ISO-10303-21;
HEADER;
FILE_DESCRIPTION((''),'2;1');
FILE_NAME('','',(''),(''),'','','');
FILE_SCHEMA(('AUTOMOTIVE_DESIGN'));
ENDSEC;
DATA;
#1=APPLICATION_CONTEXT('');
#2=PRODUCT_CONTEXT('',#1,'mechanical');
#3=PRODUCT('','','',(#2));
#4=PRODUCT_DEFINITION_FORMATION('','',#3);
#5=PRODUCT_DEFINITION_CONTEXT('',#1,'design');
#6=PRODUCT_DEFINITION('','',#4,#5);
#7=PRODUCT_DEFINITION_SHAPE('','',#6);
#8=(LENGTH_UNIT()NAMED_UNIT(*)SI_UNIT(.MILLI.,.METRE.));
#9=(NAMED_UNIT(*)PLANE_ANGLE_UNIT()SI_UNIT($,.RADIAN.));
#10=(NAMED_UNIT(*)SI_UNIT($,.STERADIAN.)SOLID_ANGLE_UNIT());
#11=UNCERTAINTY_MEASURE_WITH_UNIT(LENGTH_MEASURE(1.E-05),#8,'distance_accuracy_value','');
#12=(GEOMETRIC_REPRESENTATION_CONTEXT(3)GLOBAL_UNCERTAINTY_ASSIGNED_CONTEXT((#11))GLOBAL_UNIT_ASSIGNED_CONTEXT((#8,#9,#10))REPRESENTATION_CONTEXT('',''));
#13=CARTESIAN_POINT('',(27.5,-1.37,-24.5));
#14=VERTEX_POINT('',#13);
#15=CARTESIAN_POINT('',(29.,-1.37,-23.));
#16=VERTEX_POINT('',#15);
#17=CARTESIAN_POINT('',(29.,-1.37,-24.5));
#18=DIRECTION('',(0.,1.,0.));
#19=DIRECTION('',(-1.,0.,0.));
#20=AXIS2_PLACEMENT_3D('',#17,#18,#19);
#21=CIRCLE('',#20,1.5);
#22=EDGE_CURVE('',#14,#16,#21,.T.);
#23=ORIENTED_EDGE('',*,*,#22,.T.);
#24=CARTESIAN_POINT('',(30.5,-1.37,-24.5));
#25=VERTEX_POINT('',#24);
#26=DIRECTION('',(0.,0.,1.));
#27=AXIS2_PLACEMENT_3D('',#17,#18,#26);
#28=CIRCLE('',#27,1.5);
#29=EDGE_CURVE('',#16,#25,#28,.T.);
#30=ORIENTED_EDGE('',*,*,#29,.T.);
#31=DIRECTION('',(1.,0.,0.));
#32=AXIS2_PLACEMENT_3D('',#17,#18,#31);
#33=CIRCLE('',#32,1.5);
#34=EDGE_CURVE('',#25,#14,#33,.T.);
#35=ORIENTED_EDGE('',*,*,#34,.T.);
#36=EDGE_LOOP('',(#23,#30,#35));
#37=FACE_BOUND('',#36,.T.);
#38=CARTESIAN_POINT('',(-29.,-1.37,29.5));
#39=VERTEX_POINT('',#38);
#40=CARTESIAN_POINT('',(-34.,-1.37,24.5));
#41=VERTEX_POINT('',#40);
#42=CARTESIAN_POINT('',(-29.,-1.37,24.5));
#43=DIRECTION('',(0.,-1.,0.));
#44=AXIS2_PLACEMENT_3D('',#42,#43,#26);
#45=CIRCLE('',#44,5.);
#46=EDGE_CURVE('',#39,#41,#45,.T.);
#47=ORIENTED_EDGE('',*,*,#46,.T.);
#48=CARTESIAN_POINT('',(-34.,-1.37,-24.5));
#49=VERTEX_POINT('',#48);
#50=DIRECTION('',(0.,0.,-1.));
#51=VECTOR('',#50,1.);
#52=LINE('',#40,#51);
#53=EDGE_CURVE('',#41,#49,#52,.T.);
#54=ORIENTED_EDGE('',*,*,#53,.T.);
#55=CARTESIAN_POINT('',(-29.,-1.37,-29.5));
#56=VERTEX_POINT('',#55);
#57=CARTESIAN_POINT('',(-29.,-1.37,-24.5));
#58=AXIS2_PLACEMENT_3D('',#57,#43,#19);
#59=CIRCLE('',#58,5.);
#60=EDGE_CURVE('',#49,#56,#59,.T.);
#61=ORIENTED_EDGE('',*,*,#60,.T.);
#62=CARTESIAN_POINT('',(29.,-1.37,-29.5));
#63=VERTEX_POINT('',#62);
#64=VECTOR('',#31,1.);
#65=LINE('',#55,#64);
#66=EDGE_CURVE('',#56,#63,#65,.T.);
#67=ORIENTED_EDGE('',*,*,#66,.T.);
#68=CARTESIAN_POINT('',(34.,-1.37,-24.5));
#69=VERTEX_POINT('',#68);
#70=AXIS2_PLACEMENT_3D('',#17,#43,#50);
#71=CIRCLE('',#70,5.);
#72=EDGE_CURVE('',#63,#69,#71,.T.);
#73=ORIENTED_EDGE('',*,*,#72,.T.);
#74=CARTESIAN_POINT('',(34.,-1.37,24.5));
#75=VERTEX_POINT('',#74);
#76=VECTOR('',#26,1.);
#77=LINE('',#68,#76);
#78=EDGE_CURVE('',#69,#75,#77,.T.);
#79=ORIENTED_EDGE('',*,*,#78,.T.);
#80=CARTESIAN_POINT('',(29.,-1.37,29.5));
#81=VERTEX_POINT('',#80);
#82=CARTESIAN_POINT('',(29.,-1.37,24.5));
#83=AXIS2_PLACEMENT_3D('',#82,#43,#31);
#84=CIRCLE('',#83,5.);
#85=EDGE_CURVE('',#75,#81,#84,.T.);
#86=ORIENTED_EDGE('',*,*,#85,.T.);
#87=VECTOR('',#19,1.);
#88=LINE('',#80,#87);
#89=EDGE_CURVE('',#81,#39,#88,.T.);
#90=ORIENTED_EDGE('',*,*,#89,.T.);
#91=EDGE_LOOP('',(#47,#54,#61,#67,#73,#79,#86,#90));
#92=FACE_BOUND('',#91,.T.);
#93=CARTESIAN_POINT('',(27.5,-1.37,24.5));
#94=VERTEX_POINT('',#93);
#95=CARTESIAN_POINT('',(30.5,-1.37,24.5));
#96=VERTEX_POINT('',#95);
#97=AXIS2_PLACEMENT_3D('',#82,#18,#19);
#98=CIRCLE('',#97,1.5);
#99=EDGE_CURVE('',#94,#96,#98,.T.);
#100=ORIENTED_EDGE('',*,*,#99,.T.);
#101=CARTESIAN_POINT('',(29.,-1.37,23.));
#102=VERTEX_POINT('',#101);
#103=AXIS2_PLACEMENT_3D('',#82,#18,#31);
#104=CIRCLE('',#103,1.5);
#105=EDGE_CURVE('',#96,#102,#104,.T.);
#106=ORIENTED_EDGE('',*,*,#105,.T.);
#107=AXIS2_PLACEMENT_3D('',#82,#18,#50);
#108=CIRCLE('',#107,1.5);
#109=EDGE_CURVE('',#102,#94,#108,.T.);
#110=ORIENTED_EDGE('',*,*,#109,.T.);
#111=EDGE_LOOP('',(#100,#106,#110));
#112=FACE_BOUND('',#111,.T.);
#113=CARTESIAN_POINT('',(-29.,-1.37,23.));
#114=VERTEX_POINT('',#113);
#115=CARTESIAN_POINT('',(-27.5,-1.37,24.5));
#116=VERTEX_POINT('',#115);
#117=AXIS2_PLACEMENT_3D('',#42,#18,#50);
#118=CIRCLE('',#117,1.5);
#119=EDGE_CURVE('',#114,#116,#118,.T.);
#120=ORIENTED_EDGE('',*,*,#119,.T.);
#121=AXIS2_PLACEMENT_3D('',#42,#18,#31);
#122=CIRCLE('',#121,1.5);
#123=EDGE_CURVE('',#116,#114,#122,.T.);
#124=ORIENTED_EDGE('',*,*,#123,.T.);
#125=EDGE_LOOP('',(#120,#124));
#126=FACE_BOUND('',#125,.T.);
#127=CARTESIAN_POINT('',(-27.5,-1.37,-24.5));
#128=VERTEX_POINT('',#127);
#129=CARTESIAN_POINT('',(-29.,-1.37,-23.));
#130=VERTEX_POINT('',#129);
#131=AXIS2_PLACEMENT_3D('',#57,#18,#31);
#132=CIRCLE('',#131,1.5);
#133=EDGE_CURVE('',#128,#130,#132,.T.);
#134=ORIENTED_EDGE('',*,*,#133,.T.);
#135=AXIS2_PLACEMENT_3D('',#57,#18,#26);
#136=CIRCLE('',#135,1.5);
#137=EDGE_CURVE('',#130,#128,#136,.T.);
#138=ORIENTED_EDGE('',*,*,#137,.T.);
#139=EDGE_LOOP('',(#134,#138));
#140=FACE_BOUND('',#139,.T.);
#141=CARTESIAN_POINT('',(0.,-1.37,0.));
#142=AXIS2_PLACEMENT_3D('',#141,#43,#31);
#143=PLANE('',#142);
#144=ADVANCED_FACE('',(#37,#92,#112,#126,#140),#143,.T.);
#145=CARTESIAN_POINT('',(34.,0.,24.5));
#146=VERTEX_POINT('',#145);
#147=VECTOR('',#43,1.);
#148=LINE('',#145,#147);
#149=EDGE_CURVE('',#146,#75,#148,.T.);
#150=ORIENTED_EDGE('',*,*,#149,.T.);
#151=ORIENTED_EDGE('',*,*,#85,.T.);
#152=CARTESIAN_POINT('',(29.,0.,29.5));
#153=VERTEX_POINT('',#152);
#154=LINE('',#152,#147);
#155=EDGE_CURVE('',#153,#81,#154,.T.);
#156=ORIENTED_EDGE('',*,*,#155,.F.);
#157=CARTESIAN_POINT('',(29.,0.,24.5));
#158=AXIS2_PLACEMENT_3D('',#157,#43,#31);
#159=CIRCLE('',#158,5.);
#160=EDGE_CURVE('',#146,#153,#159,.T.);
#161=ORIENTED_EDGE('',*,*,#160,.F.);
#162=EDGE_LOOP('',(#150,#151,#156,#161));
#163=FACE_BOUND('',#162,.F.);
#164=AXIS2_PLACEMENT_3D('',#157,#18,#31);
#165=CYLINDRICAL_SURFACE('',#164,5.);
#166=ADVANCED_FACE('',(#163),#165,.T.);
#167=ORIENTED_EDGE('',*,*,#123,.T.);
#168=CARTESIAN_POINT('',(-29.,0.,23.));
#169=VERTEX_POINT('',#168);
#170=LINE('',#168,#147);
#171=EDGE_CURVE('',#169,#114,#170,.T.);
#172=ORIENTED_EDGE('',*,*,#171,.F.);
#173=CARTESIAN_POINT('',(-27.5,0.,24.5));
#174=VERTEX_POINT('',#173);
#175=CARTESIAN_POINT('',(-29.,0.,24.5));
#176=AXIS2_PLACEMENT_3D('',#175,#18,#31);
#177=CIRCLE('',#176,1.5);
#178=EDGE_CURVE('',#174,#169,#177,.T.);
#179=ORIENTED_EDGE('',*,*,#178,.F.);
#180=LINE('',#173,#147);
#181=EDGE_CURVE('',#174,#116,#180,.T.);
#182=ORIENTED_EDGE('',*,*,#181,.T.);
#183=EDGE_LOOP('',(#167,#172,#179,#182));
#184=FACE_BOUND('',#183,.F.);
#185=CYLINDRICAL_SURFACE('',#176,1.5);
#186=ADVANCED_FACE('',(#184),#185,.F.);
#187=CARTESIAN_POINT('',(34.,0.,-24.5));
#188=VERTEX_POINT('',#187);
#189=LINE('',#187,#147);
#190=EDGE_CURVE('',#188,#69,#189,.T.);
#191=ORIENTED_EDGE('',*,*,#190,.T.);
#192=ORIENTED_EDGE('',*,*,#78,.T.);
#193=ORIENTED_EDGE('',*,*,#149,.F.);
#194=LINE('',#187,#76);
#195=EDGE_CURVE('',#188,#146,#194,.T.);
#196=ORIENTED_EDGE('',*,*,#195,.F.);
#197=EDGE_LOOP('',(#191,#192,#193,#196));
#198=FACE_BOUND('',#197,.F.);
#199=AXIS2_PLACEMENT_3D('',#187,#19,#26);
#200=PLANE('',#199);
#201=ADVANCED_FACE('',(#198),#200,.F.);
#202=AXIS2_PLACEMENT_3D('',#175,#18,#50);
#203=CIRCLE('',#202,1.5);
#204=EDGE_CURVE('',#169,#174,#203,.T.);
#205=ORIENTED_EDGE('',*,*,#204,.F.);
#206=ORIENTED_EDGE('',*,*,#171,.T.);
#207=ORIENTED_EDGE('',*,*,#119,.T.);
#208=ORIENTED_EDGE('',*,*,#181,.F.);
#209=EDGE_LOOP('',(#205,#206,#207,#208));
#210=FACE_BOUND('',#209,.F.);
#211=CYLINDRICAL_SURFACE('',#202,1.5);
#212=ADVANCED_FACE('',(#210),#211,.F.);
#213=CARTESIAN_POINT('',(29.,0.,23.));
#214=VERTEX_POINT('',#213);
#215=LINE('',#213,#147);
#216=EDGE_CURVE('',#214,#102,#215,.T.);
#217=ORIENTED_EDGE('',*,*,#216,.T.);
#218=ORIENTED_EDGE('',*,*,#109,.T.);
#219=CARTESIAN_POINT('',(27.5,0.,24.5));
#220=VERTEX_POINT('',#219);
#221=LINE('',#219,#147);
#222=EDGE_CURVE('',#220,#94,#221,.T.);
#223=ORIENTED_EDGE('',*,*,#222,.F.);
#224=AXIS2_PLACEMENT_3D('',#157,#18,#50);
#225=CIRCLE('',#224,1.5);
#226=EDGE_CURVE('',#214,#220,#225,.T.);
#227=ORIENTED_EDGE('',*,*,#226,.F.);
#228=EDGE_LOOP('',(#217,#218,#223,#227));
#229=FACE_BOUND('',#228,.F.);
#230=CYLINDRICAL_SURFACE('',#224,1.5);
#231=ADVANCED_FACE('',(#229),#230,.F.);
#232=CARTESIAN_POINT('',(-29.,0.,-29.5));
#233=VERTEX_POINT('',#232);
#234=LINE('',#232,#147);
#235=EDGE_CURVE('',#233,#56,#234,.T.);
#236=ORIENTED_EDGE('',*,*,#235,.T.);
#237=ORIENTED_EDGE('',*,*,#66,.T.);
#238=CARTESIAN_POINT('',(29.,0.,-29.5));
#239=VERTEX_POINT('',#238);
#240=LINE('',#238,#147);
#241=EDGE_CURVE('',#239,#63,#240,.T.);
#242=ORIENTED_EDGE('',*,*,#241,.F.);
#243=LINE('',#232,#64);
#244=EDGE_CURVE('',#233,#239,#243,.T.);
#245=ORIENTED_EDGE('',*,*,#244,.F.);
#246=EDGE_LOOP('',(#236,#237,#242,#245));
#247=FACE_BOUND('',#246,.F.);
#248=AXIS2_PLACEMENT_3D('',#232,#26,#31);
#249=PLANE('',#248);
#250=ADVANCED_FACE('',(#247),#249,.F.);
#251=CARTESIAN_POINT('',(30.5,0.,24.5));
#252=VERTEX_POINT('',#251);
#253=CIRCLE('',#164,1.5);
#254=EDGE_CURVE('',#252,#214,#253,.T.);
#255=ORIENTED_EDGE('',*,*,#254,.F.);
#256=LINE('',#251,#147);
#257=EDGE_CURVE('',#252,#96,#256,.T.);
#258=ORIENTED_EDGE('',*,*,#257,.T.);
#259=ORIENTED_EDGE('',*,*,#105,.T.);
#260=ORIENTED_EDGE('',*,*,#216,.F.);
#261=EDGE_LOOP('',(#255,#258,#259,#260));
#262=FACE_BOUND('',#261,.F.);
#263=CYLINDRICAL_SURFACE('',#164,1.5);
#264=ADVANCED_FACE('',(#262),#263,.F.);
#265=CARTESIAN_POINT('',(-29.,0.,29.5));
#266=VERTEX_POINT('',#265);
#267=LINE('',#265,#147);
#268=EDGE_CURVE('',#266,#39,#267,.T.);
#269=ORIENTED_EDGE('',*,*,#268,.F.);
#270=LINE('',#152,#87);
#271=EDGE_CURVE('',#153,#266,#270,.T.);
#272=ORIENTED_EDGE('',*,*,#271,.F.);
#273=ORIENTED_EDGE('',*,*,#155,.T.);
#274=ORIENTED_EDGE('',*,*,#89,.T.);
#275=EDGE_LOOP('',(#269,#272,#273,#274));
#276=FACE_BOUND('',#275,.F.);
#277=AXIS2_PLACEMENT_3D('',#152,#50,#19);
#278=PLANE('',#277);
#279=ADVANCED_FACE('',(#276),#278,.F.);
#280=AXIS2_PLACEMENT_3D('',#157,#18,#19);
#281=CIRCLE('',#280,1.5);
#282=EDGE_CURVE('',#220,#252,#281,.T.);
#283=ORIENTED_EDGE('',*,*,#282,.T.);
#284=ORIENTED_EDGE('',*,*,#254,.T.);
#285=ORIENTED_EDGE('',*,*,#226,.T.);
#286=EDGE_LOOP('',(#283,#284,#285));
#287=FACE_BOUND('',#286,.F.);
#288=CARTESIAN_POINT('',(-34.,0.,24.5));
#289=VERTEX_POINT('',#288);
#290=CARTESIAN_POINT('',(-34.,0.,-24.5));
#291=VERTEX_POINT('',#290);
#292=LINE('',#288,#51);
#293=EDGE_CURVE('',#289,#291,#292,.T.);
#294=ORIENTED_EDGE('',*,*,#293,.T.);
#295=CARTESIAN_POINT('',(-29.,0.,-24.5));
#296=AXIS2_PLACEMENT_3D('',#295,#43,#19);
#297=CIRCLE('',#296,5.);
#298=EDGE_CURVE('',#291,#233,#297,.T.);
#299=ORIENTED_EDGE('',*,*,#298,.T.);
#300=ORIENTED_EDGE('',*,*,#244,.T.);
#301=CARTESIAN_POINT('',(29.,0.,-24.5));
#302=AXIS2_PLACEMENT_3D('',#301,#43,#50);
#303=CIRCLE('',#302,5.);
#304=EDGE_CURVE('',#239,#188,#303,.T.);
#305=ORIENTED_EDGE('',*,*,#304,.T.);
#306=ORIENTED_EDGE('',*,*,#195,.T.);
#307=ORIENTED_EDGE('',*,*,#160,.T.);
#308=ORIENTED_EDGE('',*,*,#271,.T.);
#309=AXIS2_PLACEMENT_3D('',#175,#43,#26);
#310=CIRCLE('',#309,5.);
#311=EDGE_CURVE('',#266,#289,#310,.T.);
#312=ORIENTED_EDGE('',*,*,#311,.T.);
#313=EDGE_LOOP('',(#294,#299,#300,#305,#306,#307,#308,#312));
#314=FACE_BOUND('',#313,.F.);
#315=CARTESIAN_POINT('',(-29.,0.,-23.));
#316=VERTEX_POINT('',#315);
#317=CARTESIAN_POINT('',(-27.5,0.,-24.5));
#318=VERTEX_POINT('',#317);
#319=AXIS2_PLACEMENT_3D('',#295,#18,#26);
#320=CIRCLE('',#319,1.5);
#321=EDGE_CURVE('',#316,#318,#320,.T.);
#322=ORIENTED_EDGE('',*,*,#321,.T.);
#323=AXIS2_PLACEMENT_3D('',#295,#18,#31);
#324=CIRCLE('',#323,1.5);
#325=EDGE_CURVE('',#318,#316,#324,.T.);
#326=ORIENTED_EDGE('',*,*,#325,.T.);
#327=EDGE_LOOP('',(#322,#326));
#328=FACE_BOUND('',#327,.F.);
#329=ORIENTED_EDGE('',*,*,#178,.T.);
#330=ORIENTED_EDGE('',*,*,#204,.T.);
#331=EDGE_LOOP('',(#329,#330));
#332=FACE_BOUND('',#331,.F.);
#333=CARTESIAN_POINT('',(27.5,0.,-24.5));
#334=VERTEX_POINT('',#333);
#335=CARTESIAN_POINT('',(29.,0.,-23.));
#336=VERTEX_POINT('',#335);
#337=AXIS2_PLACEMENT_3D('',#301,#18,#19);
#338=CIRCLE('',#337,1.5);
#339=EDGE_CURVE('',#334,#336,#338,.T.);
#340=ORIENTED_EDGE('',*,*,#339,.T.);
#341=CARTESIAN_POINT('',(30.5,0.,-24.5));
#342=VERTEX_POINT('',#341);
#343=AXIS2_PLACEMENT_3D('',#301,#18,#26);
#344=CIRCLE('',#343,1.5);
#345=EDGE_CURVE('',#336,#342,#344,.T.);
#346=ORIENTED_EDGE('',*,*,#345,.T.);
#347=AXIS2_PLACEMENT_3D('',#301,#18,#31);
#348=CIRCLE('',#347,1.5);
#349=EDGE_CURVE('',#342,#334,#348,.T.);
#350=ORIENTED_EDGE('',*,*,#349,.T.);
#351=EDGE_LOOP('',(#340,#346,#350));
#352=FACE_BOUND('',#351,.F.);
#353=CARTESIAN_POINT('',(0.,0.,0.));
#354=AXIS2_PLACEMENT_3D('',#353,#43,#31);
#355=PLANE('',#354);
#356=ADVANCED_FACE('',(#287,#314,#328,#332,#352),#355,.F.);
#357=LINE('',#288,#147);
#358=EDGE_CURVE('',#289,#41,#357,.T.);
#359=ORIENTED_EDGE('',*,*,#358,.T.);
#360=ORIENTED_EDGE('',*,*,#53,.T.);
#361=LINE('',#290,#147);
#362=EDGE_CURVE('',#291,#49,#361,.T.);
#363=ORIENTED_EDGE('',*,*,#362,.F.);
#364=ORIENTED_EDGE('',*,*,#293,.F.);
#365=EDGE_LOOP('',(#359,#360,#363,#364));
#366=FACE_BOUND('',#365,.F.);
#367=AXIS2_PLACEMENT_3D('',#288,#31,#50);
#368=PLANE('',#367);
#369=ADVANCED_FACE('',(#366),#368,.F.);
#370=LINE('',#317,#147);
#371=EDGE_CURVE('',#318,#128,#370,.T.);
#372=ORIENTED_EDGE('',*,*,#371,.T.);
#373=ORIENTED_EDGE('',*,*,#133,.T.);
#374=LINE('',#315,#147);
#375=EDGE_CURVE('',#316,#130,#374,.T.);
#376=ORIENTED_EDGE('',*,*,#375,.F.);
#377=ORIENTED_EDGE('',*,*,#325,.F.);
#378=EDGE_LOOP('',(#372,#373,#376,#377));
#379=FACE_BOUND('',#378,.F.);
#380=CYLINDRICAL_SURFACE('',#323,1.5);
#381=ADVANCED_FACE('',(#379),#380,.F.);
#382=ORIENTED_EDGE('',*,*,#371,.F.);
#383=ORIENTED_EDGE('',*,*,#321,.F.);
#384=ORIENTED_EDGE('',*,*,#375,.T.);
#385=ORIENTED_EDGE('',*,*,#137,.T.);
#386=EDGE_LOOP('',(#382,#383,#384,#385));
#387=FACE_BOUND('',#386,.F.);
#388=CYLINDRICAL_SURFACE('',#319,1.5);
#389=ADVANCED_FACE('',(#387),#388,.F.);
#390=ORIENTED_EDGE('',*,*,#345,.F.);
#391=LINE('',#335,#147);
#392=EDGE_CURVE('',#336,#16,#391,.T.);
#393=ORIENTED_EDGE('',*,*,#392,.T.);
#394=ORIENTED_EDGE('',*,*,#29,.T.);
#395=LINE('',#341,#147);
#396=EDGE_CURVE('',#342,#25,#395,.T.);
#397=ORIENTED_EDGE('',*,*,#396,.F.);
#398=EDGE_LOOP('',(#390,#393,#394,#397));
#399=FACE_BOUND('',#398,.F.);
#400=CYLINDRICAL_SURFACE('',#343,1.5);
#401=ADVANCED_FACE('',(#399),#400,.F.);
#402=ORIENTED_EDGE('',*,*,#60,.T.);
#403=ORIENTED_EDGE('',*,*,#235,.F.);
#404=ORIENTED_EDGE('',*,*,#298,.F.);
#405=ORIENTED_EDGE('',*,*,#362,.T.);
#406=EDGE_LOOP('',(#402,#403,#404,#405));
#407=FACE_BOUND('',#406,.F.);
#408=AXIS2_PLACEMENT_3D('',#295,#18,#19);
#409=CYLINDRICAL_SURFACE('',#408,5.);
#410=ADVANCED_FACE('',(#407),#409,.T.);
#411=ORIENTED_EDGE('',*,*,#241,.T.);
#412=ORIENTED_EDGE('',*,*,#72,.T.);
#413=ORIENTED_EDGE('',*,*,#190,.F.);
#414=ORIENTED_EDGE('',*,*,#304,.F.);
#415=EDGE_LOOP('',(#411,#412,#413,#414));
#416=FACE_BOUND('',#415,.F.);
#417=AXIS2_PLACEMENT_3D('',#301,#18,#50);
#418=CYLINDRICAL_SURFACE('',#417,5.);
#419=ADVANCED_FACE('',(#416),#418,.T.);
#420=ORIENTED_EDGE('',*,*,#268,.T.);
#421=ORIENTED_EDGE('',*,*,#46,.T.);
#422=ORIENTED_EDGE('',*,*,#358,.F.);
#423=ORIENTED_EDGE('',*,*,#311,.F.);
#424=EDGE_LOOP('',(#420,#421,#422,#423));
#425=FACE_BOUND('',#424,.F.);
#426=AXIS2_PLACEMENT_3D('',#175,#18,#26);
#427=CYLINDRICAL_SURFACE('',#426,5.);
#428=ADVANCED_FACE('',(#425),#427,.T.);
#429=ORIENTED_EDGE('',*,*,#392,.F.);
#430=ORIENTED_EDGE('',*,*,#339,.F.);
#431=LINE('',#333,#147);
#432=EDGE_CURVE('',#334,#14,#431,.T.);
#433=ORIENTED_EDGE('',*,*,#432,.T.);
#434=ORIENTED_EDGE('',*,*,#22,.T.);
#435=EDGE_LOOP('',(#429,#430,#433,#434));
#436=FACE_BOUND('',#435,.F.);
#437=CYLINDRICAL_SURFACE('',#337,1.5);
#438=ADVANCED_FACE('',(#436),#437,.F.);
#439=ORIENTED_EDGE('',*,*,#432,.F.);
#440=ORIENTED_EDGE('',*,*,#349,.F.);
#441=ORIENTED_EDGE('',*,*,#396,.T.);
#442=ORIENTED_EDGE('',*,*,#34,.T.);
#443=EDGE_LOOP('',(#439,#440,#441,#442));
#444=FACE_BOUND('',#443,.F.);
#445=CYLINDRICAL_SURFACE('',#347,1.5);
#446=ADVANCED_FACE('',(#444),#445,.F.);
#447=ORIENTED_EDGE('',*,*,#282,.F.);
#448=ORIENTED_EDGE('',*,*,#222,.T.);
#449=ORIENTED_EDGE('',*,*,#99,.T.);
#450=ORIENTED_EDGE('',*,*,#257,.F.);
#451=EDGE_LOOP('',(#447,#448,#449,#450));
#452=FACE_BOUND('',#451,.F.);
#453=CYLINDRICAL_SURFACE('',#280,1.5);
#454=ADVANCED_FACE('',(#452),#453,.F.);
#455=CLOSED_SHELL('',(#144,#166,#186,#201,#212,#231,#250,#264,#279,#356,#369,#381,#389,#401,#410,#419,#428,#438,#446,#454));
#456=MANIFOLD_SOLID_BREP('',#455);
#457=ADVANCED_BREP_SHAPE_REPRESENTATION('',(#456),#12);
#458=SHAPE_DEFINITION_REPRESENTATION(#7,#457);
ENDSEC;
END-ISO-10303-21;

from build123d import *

# Parameters (mm, degrees)
F1_DEPTH = 1.37


with BuildPart() as f1:
    # F0 (on Front) → F1 (new body)
    with BuildSketch(Plane.XZ):
        with BuildLine():
            Line((29, 29.5), (-29, 29.5))
            ThreePointArc((-29, 29.5), (-32.5355339059, 28.0355339059), (-34, 24.5))
            Line((-34, 24.5), (-34, -24.5))
            ThreePointArc((-34, -24.5), (-32.5355339059, -28.0355339059), (-29, -29.5))
            Line((-29, -29.5), (29, -29.5))
            ThreePointArc((29, -29.5), (32.5355339059, -28.0355339059), (34, -24.5))
            Line((34, -24.5), (34, 24.5))
            ThreePointArc((34, 24.5), (32.5355339059, 28.0355339059), (29, 29.5))
        make_face()
        with BuildLine():
            ThreePointArc((-29, 23), (-30.0606601718, 25.5606601718), (-27.5, 24.5))
            Line((-27.5, 24.5), (27.5, 24.5))
            ThreePointArc((27.5, 24.5), (29, 26), (30.5, 24.5))
            ThreePointArc((30.5, 24.5), (30.0606601718, 23.4393398282), (29, 23))
            Line((29, 23), (29, -23))
            ThreePointArc((29, -23), (30.0606601718, -23.4393398282), (30.5, -24.5))
            ThreePointArc((30.5, -24.5), (29, -26), (27.5, -24.5))
            Line((27.5, -24.5), (-27.5, -24.5))
            ThreePointArc((-27.5, -24.5), (-30.0606601718, -25.5606601718), (-29, -23))
            Line((-29, -23), (-29, 23))
        make_face(mode=Mode.SUBTRACT)
        with BuildLine():
            Line((27.5, 24.5), (-27.5, 24.5))
            ThreePointArc((-27.5, 24.5), (-27.9393398282, 23.4393398282), (-29, 23))
            Line((-29, 23), (-29, -23))
            ThreePointArc((-29, -23), (-27.9393398282, -23.4393398282), (-27.5, -24.5))
            Line((-27.5, -24.5), (27.5, -24.5))
            ThreePointArc((27.5, -24.5), (27.9393398282, -23.4393398282), (29, -23))
            Line((29, -23), (29, 23))
            ThreePointArc((29, 23), (27.9393398282, 23.4393398282), (27.5, 24.5))
        make_face()
    extrude(amount=F1_DEPTH)


solid = f1.part
